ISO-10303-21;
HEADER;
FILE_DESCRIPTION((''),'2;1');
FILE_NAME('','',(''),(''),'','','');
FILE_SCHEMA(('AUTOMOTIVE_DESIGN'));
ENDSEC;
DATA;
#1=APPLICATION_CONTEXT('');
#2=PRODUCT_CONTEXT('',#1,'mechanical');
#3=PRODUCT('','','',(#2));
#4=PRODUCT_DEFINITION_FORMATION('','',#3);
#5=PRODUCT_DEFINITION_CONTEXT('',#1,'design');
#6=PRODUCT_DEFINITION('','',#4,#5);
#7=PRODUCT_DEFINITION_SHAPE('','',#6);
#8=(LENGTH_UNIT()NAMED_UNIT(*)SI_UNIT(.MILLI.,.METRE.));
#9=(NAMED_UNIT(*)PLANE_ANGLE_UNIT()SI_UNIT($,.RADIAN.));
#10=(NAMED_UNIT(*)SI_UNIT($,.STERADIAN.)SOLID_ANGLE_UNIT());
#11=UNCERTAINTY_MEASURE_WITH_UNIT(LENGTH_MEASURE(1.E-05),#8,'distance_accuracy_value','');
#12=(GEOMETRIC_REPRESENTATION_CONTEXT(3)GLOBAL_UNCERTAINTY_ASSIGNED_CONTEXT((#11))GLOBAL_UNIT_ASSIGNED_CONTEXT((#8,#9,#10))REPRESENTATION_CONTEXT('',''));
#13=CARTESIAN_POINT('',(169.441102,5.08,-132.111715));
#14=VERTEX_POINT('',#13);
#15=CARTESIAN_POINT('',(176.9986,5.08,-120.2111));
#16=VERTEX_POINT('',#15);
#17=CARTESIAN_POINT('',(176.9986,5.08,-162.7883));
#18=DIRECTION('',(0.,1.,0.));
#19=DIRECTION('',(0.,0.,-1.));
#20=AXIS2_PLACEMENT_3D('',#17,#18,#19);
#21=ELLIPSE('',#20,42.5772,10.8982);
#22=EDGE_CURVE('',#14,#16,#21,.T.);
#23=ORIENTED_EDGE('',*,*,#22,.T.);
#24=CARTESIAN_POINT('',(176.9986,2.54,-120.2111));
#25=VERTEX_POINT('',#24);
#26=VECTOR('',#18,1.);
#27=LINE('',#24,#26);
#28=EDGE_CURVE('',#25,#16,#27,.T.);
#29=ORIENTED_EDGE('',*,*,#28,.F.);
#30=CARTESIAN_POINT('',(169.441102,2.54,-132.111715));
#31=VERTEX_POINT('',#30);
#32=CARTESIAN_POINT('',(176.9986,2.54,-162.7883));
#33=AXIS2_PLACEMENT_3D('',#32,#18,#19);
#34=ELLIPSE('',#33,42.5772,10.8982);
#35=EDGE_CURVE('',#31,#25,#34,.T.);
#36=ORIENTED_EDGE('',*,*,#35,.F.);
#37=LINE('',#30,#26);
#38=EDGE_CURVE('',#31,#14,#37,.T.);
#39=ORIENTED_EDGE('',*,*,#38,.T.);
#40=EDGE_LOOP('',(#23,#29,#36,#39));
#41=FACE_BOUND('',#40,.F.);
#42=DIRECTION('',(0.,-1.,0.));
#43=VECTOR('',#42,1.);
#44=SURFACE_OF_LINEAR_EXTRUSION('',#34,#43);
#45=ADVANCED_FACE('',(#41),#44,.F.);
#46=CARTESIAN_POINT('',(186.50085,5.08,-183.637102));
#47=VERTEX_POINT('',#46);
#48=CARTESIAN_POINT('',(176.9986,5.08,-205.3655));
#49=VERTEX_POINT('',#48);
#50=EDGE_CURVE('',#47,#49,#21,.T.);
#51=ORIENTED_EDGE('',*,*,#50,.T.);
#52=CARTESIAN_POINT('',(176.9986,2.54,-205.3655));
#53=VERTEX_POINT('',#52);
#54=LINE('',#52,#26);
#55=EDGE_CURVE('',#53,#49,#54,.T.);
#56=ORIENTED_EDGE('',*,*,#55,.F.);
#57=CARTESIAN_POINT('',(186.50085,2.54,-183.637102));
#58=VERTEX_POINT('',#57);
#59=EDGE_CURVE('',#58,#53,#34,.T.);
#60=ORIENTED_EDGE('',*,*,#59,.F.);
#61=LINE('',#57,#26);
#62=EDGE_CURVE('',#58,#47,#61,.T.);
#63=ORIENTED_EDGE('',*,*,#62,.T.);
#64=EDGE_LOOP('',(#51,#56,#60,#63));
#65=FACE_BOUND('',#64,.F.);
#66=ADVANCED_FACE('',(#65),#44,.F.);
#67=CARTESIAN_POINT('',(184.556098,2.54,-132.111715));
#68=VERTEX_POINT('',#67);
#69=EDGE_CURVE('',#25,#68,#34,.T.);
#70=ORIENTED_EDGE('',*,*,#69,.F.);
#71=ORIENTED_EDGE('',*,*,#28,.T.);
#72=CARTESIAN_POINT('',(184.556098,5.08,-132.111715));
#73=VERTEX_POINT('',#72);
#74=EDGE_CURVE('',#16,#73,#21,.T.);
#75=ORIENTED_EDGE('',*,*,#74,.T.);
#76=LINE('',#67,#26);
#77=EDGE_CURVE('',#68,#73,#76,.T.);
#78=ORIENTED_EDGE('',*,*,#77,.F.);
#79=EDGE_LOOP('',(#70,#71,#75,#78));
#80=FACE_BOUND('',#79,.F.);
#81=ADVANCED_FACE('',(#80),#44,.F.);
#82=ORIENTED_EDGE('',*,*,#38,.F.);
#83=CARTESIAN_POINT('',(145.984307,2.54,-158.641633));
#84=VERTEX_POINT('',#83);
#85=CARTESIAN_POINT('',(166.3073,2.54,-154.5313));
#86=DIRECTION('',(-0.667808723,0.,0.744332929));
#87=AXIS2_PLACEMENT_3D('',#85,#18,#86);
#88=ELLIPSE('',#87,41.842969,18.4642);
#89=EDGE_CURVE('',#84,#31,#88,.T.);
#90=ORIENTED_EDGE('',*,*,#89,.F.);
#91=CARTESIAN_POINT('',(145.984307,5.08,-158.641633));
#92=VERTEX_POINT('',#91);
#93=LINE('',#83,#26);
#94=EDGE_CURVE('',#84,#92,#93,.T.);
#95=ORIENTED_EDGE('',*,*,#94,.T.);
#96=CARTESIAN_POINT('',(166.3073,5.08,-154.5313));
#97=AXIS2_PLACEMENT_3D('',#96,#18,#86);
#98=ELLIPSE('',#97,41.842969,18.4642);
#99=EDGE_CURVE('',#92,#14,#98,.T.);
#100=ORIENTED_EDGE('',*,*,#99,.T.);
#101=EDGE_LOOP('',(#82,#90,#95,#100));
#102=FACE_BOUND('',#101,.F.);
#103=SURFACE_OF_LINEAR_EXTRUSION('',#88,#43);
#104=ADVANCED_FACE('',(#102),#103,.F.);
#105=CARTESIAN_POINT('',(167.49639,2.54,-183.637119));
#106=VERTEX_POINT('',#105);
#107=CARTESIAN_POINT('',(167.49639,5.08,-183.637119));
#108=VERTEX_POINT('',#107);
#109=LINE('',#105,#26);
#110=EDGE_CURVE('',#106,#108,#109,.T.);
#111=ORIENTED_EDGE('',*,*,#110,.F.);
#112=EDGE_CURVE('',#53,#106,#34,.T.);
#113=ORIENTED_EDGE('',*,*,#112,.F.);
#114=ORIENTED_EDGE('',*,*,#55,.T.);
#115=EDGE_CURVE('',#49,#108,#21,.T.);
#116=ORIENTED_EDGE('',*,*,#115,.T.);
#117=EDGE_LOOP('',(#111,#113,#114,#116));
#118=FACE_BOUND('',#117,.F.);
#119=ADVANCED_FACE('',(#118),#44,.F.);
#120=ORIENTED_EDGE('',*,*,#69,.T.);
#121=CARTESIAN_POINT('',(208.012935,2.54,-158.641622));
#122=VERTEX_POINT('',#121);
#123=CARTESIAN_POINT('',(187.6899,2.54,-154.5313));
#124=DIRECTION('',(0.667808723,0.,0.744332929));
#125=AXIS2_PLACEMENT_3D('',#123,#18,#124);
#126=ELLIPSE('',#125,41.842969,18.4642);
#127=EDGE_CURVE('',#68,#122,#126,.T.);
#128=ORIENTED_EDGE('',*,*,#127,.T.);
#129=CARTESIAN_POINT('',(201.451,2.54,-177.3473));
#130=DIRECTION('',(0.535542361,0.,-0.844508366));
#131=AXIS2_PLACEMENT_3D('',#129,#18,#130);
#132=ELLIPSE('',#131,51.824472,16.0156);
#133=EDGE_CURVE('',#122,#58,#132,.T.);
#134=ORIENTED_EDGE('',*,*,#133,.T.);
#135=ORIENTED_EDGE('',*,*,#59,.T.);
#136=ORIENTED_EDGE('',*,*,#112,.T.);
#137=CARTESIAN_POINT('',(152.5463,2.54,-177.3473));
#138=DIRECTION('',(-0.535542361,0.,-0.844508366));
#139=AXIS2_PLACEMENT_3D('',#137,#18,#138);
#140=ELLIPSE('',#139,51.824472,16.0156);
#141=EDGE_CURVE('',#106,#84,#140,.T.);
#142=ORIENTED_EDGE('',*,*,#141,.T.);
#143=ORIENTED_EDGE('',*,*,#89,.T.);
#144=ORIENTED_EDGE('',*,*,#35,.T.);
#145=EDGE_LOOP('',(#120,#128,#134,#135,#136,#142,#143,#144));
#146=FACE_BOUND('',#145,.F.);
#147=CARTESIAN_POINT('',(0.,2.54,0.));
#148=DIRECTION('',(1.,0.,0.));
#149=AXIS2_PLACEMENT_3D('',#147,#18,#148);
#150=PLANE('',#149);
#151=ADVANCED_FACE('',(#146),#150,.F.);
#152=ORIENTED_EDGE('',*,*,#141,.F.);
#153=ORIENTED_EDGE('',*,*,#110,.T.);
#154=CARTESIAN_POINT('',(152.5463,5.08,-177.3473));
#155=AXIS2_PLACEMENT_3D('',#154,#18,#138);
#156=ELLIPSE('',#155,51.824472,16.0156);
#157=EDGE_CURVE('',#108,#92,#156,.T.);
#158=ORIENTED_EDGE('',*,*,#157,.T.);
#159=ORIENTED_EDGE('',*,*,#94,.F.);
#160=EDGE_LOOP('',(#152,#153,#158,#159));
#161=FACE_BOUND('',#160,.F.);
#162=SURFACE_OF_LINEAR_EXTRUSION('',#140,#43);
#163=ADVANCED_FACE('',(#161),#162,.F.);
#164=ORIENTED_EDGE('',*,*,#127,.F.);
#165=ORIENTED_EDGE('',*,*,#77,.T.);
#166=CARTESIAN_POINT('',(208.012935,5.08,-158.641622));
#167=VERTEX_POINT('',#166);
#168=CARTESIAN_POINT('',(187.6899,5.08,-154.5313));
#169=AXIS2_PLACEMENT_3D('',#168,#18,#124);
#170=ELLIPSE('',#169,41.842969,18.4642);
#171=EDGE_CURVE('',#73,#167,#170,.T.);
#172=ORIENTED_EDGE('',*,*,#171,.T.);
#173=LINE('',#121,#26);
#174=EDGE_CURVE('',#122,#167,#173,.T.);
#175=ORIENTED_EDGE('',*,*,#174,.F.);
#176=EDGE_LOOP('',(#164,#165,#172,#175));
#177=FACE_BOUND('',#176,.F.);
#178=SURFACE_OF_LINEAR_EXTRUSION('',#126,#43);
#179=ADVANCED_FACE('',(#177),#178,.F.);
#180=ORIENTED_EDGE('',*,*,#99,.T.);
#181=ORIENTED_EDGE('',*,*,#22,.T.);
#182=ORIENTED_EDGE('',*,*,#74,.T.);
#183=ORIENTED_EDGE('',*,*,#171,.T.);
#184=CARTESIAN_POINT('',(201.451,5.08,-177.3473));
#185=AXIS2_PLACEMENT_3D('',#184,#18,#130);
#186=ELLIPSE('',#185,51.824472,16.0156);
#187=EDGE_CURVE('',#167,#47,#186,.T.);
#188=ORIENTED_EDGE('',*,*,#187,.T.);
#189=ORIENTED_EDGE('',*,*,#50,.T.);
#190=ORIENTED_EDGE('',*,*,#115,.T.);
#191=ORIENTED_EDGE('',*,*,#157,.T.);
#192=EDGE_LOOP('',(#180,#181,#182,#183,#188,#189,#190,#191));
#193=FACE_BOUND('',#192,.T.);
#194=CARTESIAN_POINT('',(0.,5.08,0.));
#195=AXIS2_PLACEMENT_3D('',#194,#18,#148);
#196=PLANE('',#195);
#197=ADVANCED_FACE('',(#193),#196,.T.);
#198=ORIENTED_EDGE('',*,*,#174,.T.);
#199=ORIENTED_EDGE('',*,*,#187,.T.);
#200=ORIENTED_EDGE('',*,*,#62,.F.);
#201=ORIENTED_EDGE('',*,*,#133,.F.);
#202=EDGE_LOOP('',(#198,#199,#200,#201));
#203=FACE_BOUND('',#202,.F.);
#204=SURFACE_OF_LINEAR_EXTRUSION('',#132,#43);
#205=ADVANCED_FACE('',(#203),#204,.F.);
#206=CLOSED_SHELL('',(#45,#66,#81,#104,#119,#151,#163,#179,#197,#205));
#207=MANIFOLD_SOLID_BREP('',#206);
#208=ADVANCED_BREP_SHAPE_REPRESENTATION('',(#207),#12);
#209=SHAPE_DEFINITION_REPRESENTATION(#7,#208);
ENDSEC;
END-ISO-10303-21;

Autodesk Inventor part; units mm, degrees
ref_plane "YZ Plane" through (0, 0, 0) normal (1, 0, 0) x (0, 1, 0)
ref_plane "XZ Plane" through (0, 0, 0) normal (0, 1, 0) x (-1, 0, 0)
ref_plane "Work Plane3" through (0, 2.54, 0) normal (0, 1, 0) x (1, 0, 0)
sketch "Sketch5" plane through (0, 2.54, 0) normal (0, 1, 0) x (1, 0, 0)
  ellipse E0 centre (201.451, 177.3473) end of major axis (229.2052, 221.1135) minor radius 16.0156 (208.013, 158.6416) -> (186.5008, 183.6371) ccw
  ellipse E1 centre (187.6899, 154.5313) end of major axis (215.633, 123.3862) minor radius 18.4642 (184.5561, 132.1117) -> (208.013, 158.6416) ccw
  ellipse E2 centre (176.9986, 162.7883) end of major axis (176.9986, 205.3655) minor radius 10.8982 (186.5008, 183.6371) -> (176.9986, 205.3655) ccw
  ellipse E3 centre (176.9986, 162.7883) end of major axis (176.9986, 205.3655) minor radius 10.8982 (176.9986, 120.211) -> (184.5561, 132.1117) ccw
  ellipse E4 centre (152.5463, 177.3473) end of major axis (124.7921, 221.1135) minor radius 16.0156 (167.4964, 183.6371) -> (145.9843, 158.6416) ccw
  ellipse E5 centre (166.3073, 154.5313) end of major axis (138.3642, 123.3862) minor radius 18.4642 (145.9843, 158.6416) -> (169.4411, 132.1117) ccw
  ellipse E6 centre (176.9986, 162.7883) end of major axis (176.9986, 205.3655) minor radius 10.8982 (176.9986, 205.3655) -> (167.4964, 183.6371) ccw
  ellipse E7 centre (176.9986, 162.7883) end of major axis (176.9986, 205.3655) minor radius 10.8982 (169.4411, 132.1117) -> (176.9986, 120.211) ccw
  ellipse E8 centre (166.3073, 154.5313) end of major axis (138.3642, 123.3862) minor radius 18.4642 (145.9843, 158.6416) -> (169.4411, 132.1117) ccw
  ellipse E9 centre (187.6899, 154.5313) end of major axis (215.633, 123.3862) minor radius 18.4642 (184.5561, 132.1117) -> (208.013, 158.6416) ccw
  point P0 (0, 0)
extrude "Extrusion7" add sketch "Sketch5" along normal blind 2.54
properties part number "Butterfly"
